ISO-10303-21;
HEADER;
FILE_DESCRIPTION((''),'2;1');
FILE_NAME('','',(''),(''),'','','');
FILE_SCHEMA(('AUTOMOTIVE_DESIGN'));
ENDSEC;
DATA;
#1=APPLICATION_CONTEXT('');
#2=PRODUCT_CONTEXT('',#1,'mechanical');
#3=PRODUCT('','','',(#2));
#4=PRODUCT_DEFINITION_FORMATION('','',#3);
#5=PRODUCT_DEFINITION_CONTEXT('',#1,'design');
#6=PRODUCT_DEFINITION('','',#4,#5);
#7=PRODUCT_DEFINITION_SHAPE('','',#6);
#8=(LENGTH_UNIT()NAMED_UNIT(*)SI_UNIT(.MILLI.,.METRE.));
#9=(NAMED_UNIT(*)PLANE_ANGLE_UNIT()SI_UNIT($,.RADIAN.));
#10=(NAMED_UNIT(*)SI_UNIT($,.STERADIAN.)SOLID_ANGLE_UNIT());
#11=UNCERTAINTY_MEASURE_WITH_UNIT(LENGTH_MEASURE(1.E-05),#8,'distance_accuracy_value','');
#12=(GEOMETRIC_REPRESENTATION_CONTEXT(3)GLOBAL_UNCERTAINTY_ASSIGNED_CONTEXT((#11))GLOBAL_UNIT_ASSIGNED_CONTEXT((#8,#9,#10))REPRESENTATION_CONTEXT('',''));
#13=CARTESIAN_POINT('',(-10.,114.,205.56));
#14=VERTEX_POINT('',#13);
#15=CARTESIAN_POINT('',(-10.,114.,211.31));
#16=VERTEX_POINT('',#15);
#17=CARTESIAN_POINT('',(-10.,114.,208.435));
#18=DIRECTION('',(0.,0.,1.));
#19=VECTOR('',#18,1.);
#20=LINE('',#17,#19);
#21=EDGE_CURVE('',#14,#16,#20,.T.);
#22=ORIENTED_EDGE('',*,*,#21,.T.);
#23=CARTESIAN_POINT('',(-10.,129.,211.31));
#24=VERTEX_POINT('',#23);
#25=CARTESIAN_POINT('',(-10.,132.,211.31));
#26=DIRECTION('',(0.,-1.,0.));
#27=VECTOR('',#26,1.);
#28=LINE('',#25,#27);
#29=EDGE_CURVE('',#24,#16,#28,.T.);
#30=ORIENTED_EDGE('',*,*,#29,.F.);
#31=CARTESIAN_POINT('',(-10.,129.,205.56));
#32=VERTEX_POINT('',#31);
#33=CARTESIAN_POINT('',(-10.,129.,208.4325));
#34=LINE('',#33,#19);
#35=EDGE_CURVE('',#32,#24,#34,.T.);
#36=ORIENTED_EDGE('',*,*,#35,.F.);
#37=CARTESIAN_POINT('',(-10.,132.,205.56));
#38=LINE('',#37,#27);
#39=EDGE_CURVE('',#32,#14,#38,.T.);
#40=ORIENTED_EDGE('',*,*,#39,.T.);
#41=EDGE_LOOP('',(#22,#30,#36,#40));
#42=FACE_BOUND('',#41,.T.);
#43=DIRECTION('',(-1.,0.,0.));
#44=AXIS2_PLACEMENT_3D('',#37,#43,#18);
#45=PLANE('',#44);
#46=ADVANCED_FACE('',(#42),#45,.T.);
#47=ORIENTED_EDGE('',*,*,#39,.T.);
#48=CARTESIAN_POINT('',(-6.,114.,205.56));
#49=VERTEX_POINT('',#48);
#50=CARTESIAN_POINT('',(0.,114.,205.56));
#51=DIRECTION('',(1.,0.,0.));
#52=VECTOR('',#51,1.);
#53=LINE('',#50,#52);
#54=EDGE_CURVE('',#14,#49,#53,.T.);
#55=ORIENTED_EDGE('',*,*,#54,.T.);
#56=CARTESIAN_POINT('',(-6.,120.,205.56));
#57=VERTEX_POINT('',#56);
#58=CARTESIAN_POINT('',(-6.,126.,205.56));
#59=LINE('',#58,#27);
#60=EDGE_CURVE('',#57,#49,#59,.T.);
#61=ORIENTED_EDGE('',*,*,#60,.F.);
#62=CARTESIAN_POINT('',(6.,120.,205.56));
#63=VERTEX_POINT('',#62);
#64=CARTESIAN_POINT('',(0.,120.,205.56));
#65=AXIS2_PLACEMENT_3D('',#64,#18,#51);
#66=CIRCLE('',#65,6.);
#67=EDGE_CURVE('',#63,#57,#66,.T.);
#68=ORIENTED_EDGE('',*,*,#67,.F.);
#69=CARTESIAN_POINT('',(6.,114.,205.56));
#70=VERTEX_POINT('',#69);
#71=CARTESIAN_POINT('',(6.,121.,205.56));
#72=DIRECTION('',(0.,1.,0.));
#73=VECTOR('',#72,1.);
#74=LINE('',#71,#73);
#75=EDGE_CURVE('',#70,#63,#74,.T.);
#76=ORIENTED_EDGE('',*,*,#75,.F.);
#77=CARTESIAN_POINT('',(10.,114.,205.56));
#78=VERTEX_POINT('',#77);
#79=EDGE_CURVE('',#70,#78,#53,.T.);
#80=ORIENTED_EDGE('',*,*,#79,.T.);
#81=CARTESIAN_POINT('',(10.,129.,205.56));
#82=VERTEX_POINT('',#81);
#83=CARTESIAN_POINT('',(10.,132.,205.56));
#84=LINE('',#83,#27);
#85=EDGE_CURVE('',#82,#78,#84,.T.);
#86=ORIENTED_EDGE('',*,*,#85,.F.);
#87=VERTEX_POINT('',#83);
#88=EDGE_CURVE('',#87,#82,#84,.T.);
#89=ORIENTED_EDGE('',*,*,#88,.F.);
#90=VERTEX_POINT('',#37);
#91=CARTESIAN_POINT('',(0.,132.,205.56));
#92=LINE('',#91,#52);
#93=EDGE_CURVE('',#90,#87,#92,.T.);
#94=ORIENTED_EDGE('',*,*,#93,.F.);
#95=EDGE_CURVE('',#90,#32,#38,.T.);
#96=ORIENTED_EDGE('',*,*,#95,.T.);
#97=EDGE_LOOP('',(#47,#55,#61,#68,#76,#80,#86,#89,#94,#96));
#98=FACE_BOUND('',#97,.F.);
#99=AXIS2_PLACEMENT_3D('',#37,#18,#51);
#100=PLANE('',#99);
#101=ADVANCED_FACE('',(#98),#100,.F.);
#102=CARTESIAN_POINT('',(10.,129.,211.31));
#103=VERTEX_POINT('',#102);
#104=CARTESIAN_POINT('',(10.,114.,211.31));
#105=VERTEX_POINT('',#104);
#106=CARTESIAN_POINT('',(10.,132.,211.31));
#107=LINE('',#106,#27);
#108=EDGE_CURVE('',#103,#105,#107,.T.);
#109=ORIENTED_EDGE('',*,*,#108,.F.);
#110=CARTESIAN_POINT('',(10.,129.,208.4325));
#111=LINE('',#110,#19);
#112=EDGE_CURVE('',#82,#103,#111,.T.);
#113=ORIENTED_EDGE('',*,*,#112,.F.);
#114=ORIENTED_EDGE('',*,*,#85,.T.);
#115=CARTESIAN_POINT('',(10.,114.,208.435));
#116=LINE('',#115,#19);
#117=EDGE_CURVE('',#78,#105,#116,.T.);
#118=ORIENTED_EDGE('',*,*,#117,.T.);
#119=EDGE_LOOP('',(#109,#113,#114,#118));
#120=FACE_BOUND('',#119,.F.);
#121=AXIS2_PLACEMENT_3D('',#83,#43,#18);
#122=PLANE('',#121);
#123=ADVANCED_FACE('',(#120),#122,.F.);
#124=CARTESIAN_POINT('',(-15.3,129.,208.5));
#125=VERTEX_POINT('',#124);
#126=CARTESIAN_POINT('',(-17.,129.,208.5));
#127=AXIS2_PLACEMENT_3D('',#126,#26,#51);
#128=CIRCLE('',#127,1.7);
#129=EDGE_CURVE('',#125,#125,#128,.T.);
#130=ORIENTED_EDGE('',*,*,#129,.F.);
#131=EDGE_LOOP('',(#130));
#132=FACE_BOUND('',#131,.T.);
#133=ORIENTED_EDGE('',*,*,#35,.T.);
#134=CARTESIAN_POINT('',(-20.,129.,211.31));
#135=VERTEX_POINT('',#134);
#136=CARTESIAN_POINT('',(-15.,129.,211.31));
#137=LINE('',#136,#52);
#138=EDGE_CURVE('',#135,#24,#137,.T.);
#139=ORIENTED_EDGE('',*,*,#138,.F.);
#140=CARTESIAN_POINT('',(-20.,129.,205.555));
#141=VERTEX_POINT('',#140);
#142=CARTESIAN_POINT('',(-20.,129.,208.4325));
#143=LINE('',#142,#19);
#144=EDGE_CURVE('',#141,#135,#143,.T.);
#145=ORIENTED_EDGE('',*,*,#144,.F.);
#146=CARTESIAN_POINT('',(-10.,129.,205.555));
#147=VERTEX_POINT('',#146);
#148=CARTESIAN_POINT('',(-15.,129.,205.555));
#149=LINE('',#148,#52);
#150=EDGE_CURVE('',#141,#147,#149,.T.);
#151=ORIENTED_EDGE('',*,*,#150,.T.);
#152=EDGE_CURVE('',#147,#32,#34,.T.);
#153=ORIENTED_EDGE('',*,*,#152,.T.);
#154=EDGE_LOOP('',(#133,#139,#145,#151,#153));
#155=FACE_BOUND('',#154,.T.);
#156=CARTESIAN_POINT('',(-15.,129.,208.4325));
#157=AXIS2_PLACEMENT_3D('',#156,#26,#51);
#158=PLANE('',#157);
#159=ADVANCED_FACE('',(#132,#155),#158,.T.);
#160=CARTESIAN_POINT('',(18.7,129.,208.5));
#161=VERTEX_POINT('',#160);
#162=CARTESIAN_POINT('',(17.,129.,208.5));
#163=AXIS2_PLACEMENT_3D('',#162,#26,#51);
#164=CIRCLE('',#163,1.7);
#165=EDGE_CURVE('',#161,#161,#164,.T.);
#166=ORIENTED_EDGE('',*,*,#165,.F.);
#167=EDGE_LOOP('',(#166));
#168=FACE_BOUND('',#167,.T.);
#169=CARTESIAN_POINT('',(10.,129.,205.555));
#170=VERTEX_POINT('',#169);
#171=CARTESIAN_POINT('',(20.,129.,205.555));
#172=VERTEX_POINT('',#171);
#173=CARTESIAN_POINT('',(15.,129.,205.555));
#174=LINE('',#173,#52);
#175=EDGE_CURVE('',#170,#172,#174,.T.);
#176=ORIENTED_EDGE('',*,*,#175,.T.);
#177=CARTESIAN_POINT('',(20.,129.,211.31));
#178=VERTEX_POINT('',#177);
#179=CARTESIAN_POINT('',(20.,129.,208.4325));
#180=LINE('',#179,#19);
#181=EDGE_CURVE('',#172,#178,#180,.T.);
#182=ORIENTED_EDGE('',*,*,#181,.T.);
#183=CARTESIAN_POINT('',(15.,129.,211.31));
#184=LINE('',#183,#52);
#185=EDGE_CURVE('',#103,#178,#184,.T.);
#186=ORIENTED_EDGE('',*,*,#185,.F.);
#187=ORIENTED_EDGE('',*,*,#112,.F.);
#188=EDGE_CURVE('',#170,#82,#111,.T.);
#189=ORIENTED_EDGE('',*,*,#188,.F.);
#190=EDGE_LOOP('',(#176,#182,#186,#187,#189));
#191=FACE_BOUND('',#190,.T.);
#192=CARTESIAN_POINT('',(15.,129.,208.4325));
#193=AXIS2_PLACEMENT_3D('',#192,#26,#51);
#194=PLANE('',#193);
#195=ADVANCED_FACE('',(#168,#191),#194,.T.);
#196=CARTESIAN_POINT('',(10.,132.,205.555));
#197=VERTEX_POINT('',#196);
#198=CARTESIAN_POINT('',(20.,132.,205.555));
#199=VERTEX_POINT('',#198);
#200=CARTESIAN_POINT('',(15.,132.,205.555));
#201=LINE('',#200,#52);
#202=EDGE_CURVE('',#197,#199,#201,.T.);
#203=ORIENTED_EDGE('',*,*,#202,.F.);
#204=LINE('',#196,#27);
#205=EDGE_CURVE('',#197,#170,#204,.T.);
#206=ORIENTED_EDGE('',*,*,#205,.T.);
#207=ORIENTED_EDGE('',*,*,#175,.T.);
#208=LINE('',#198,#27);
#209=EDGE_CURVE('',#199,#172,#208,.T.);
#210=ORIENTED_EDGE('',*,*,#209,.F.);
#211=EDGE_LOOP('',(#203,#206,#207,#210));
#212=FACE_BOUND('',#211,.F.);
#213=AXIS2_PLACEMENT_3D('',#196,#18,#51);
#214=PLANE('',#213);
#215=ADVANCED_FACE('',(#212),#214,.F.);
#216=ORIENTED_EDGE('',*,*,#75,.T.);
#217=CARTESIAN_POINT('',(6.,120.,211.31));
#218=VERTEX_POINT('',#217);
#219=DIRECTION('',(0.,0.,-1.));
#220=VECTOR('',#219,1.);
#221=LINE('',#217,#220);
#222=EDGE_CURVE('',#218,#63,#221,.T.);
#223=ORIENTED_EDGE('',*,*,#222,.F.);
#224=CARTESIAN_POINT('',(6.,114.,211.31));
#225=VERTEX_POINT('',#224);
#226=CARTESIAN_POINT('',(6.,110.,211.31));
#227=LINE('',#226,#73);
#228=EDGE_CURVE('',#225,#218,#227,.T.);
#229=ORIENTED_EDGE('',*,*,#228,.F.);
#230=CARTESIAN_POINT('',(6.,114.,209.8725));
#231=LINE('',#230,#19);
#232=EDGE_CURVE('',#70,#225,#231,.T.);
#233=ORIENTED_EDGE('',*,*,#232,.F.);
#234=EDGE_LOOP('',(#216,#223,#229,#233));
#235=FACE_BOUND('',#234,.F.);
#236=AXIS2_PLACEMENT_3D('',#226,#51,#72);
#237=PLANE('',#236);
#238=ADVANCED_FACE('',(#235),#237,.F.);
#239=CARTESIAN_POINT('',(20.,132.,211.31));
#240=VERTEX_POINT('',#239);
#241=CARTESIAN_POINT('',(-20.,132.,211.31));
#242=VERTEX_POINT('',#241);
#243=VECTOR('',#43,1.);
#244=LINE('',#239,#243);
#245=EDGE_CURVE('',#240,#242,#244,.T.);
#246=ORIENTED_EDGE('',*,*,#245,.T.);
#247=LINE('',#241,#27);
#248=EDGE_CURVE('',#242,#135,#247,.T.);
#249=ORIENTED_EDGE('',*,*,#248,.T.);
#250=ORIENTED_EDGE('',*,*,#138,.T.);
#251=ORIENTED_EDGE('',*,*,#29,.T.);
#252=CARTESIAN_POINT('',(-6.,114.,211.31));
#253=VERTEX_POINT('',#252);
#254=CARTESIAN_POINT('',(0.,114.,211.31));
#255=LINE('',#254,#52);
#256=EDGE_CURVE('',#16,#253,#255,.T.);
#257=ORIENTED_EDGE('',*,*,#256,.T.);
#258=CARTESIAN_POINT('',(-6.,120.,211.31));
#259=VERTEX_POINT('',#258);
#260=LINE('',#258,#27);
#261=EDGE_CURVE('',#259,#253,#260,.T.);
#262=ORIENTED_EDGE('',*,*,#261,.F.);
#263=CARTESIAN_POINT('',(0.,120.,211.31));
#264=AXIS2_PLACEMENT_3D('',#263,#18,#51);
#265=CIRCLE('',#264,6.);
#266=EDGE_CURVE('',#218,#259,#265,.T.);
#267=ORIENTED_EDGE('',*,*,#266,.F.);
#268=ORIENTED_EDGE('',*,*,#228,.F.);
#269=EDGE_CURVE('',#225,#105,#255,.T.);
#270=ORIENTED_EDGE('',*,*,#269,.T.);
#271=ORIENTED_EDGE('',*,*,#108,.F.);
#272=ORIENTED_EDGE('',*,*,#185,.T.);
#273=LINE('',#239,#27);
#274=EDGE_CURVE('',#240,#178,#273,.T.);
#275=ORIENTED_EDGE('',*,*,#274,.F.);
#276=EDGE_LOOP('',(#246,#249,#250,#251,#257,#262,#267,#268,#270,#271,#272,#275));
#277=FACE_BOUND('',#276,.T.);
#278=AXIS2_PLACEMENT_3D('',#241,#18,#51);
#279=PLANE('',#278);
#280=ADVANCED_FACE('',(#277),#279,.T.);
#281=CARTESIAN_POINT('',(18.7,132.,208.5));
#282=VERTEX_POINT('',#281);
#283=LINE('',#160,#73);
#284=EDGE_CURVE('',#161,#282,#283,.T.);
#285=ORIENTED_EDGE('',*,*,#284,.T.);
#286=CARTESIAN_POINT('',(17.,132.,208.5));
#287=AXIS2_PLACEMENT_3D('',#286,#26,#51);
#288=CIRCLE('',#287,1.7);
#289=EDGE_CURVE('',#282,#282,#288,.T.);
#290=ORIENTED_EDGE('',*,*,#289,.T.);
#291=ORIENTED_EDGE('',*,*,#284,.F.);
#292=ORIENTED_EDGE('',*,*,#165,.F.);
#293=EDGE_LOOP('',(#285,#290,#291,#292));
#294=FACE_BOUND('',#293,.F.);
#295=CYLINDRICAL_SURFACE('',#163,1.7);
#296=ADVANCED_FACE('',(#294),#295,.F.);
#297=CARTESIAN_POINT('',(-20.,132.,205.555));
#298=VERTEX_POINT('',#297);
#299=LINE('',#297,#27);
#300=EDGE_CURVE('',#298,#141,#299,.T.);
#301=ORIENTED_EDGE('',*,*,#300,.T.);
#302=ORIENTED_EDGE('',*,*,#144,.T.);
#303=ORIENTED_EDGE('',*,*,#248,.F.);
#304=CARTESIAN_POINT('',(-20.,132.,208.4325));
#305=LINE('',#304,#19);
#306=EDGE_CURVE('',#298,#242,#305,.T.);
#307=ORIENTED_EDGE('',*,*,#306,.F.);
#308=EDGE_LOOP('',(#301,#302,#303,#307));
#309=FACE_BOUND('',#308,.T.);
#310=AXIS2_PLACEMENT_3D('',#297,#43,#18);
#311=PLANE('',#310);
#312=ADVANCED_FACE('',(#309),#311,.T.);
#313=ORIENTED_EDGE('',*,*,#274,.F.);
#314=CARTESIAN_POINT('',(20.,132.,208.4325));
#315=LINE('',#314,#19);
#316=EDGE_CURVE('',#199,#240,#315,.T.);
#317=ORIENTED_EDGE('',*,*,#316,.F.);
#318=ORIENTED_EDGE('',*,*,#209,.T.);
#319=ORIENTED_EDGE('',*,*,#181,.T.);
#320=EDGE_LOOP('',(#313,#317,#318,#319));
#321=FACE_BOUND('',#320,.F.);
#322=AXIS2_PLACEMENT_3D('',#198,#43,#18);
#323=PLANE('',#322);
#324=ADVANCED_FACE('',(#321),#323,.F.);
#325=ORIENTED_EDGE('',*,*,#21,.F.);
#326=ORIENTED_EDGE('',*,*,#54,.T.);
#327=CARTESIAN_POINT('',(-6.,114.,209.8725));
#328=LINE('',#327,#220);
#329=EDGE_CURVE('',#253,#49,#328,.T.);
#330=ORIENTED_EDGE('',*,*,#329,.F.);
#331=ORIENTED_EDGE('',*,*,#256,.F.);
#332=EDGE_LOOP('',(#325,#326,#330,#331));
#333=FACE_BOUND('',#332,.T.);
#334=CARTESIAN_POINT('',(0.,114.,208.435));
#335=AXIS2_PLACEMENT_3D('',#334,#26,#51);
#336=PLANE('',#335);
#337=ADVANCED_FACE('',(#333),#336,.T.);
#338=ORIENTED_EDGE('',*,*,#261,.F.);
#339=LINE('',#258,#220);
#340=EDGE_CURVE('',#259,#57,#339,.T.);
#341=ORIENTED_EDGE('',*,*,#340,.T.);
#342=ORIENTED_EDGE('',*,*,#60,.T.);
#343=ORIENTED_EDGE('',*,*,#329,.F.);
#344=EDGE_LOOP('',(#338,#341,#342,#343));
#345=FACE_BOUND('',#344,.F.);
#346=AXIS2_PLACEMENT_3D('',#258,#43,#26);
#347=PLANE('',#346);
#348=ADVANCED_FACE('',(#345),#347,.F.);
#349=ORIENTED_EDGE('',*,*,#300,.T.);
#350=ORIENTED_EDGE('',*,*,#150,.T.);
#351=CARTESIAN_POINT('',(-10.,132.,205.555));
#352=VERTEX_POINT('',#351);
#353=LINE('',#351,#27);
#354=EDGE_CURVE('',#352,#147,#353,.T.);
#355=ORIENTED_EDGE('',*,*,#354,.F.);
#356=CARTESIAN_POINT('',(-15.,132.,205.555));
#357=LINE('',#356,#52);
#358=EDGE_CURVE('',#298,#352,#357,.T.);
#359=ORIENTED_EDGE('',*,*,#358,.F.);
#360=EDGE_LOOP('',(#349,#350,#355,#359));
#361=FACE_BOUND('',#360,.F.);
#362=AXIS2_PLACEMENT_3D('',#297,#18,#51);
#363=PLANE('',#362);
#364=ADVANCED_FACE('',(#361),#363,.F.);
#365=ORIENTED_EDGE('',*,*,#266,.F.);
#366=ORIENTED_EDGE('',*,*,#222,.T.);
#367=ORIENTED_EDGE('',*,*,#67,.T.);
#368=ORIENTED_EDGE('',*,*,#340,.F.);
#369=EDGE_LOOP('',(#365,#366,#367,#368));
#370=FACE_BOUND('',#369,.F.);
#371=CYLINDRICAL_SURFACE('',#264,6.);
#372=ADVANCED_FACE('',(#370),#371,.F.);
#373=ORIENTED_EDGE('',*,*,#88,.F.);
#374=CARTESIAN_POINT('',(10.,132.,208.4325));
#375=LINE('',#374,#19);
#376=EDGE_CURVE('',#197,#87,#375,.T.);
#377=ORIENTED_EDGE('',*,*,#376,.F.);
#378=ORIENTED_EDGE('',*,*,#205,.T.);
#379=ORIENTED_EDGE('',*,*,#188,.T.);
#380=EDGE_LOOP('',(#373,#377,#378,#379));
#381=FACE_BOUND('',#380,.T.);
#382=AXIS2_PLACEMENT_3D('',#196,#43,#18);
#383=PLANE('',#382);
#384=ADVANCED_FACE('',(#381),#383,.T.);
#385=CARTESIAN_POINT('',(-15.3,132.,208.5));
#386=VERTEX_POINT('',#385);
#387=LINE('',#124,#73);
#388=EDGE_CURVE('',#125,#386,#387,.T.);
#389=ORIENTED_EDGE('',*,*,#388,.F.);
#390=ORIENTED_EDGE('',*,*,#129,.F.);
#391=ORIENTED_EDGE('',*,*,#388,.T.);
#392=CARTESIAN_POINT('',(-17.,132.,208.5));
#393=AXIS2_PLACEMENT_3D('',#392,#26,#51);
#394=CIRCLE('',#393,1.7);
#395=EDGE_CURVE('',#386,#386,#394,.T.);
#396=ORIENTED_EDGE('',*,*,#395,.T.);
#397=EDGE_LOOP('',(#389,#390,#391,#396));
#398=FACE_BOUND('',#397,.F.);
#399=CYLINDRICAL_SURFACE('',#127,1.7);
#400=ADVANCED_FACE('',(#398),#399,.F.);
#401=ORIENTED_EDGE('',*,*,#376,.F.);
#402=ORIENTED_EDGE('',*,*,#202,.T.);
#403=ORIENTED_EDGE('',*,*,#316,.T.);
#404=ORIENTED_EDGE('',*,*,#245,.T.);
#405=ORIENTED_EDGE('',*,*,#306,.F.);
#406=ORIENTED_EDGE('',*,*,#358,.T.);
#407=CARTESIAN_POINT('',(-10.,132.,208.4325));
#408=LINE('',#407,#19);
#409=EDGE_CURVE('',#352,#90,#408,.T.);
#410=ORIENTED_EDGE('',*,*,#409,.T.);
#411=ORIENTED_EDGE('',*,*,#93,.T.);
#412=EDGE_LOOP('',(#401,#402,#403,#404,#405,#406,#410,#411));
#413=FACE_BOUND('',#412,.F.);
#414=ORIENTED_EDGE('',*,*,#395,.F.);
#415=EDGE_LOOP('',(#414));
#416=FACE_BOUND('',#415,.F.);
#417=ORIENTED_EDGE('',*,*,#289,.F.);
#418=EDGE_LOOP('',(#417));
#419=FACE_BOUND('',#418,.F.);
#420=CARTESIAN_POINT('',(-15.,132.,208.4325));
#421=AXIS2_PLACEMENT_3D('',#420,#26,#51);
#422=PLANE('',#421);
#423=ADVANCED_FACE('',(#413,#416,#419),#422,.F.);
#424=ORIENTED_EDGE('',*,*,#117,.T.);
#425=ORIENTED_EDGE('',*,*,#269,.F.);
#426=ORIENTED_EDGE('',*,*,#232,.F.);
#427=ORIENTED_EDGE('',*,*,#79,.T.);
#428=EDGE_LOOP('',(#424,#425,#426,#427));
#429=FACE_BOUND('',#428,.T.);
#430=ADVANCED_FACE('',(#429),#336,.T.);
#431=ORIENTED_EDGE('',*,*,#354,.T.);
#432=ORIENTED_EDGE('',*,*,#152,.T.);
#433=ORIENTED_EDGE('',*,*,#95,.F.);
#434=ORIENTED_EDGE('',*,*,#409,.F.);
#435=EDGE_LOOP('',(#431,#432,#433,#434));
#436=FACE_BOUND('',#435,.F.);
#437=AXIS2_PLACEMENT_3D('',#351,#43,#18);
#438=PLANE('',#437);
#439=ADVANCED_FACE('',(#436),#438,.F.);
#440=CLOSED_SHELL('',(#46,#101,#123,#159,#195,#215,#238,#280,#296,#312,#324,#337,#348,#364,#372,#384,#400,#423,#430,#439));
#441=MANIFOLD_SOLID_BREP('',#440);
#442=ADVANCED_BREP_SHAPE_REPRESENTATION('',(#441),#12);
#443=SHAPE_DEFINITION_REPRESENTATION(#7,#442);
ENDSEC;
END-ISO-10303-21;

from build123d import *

# Parameters (mm, degrees)
SKETCH091_W     = 20
SKETCH091_H     = 5.75
PAD030_DEPTH    = 18
POCKET028_DEPTH = 5.751
SKETCH093_W     = 10
SKETCH093_H     = 5.755
PAD031_DEPTH    = 3
SKETCH094_R     = 1.7
HOLE018_DEPTH   = 25


with BuildPart() as part:
    # Sketch091 → Pad030 (new body)
    with BuildSketch(Plane.XZ):
        with Locations((0, 208.435)):
            Rectangle(SKETCH091_W, SKETCH091_H)
    extrude(amount=PAD030_DEPTH)

    # Sketch092 (on Face4 of Pad030) → Pocket028 (cut, through all)
    with BuildSketch(Plane(origin=(0, 0, 211.31), x_dir=(-1, 0, 0), z_dir=(0, 0, 1))):
        with BuildLine():
            ThreePointArc((-6, 12), (0, 6), (6, 12))
            Line((6, 12), (6, 22))
            Line((-6, 22), (6, 22))
            Line((-6, 22), (-6, 12))
        make_face()
    extrude(amount=-POCKET028_DEPTH, mode=Mode.SUBTRACT)

    # Sketch093 → Pad031 (join)
    with BuildSketch(Plane.XZ):
        with Locations((-15, 208.4325)):
            Rectangle(SKETCH093_W, SKETCH093_H)
        with Locations((15, 208.4325)):
            Rectangle(SKETCH093_W, SKETCH093_H)
    extrude(amount=PAD031_DEPTH)

    # Sketch094 (on Face2 of Pad031) → Hole018 (cut)
    with BuildSketch(Plane.XZ.offset(3)):
        with Locations((-17, 208.5)):
            Circle(SKETCH094_R)
        with Locations((17, 208.5)):
            Circle(SKETCH094_R)
    extrude(amount=-HOLE018_DEPTH, mode=Mode.SUBTRACT)


with BuildPart() as part_1:
    # Body013 placement: moved
    add(part.part.moved(Location((0, 132, 0))))


solid = part_1.part
